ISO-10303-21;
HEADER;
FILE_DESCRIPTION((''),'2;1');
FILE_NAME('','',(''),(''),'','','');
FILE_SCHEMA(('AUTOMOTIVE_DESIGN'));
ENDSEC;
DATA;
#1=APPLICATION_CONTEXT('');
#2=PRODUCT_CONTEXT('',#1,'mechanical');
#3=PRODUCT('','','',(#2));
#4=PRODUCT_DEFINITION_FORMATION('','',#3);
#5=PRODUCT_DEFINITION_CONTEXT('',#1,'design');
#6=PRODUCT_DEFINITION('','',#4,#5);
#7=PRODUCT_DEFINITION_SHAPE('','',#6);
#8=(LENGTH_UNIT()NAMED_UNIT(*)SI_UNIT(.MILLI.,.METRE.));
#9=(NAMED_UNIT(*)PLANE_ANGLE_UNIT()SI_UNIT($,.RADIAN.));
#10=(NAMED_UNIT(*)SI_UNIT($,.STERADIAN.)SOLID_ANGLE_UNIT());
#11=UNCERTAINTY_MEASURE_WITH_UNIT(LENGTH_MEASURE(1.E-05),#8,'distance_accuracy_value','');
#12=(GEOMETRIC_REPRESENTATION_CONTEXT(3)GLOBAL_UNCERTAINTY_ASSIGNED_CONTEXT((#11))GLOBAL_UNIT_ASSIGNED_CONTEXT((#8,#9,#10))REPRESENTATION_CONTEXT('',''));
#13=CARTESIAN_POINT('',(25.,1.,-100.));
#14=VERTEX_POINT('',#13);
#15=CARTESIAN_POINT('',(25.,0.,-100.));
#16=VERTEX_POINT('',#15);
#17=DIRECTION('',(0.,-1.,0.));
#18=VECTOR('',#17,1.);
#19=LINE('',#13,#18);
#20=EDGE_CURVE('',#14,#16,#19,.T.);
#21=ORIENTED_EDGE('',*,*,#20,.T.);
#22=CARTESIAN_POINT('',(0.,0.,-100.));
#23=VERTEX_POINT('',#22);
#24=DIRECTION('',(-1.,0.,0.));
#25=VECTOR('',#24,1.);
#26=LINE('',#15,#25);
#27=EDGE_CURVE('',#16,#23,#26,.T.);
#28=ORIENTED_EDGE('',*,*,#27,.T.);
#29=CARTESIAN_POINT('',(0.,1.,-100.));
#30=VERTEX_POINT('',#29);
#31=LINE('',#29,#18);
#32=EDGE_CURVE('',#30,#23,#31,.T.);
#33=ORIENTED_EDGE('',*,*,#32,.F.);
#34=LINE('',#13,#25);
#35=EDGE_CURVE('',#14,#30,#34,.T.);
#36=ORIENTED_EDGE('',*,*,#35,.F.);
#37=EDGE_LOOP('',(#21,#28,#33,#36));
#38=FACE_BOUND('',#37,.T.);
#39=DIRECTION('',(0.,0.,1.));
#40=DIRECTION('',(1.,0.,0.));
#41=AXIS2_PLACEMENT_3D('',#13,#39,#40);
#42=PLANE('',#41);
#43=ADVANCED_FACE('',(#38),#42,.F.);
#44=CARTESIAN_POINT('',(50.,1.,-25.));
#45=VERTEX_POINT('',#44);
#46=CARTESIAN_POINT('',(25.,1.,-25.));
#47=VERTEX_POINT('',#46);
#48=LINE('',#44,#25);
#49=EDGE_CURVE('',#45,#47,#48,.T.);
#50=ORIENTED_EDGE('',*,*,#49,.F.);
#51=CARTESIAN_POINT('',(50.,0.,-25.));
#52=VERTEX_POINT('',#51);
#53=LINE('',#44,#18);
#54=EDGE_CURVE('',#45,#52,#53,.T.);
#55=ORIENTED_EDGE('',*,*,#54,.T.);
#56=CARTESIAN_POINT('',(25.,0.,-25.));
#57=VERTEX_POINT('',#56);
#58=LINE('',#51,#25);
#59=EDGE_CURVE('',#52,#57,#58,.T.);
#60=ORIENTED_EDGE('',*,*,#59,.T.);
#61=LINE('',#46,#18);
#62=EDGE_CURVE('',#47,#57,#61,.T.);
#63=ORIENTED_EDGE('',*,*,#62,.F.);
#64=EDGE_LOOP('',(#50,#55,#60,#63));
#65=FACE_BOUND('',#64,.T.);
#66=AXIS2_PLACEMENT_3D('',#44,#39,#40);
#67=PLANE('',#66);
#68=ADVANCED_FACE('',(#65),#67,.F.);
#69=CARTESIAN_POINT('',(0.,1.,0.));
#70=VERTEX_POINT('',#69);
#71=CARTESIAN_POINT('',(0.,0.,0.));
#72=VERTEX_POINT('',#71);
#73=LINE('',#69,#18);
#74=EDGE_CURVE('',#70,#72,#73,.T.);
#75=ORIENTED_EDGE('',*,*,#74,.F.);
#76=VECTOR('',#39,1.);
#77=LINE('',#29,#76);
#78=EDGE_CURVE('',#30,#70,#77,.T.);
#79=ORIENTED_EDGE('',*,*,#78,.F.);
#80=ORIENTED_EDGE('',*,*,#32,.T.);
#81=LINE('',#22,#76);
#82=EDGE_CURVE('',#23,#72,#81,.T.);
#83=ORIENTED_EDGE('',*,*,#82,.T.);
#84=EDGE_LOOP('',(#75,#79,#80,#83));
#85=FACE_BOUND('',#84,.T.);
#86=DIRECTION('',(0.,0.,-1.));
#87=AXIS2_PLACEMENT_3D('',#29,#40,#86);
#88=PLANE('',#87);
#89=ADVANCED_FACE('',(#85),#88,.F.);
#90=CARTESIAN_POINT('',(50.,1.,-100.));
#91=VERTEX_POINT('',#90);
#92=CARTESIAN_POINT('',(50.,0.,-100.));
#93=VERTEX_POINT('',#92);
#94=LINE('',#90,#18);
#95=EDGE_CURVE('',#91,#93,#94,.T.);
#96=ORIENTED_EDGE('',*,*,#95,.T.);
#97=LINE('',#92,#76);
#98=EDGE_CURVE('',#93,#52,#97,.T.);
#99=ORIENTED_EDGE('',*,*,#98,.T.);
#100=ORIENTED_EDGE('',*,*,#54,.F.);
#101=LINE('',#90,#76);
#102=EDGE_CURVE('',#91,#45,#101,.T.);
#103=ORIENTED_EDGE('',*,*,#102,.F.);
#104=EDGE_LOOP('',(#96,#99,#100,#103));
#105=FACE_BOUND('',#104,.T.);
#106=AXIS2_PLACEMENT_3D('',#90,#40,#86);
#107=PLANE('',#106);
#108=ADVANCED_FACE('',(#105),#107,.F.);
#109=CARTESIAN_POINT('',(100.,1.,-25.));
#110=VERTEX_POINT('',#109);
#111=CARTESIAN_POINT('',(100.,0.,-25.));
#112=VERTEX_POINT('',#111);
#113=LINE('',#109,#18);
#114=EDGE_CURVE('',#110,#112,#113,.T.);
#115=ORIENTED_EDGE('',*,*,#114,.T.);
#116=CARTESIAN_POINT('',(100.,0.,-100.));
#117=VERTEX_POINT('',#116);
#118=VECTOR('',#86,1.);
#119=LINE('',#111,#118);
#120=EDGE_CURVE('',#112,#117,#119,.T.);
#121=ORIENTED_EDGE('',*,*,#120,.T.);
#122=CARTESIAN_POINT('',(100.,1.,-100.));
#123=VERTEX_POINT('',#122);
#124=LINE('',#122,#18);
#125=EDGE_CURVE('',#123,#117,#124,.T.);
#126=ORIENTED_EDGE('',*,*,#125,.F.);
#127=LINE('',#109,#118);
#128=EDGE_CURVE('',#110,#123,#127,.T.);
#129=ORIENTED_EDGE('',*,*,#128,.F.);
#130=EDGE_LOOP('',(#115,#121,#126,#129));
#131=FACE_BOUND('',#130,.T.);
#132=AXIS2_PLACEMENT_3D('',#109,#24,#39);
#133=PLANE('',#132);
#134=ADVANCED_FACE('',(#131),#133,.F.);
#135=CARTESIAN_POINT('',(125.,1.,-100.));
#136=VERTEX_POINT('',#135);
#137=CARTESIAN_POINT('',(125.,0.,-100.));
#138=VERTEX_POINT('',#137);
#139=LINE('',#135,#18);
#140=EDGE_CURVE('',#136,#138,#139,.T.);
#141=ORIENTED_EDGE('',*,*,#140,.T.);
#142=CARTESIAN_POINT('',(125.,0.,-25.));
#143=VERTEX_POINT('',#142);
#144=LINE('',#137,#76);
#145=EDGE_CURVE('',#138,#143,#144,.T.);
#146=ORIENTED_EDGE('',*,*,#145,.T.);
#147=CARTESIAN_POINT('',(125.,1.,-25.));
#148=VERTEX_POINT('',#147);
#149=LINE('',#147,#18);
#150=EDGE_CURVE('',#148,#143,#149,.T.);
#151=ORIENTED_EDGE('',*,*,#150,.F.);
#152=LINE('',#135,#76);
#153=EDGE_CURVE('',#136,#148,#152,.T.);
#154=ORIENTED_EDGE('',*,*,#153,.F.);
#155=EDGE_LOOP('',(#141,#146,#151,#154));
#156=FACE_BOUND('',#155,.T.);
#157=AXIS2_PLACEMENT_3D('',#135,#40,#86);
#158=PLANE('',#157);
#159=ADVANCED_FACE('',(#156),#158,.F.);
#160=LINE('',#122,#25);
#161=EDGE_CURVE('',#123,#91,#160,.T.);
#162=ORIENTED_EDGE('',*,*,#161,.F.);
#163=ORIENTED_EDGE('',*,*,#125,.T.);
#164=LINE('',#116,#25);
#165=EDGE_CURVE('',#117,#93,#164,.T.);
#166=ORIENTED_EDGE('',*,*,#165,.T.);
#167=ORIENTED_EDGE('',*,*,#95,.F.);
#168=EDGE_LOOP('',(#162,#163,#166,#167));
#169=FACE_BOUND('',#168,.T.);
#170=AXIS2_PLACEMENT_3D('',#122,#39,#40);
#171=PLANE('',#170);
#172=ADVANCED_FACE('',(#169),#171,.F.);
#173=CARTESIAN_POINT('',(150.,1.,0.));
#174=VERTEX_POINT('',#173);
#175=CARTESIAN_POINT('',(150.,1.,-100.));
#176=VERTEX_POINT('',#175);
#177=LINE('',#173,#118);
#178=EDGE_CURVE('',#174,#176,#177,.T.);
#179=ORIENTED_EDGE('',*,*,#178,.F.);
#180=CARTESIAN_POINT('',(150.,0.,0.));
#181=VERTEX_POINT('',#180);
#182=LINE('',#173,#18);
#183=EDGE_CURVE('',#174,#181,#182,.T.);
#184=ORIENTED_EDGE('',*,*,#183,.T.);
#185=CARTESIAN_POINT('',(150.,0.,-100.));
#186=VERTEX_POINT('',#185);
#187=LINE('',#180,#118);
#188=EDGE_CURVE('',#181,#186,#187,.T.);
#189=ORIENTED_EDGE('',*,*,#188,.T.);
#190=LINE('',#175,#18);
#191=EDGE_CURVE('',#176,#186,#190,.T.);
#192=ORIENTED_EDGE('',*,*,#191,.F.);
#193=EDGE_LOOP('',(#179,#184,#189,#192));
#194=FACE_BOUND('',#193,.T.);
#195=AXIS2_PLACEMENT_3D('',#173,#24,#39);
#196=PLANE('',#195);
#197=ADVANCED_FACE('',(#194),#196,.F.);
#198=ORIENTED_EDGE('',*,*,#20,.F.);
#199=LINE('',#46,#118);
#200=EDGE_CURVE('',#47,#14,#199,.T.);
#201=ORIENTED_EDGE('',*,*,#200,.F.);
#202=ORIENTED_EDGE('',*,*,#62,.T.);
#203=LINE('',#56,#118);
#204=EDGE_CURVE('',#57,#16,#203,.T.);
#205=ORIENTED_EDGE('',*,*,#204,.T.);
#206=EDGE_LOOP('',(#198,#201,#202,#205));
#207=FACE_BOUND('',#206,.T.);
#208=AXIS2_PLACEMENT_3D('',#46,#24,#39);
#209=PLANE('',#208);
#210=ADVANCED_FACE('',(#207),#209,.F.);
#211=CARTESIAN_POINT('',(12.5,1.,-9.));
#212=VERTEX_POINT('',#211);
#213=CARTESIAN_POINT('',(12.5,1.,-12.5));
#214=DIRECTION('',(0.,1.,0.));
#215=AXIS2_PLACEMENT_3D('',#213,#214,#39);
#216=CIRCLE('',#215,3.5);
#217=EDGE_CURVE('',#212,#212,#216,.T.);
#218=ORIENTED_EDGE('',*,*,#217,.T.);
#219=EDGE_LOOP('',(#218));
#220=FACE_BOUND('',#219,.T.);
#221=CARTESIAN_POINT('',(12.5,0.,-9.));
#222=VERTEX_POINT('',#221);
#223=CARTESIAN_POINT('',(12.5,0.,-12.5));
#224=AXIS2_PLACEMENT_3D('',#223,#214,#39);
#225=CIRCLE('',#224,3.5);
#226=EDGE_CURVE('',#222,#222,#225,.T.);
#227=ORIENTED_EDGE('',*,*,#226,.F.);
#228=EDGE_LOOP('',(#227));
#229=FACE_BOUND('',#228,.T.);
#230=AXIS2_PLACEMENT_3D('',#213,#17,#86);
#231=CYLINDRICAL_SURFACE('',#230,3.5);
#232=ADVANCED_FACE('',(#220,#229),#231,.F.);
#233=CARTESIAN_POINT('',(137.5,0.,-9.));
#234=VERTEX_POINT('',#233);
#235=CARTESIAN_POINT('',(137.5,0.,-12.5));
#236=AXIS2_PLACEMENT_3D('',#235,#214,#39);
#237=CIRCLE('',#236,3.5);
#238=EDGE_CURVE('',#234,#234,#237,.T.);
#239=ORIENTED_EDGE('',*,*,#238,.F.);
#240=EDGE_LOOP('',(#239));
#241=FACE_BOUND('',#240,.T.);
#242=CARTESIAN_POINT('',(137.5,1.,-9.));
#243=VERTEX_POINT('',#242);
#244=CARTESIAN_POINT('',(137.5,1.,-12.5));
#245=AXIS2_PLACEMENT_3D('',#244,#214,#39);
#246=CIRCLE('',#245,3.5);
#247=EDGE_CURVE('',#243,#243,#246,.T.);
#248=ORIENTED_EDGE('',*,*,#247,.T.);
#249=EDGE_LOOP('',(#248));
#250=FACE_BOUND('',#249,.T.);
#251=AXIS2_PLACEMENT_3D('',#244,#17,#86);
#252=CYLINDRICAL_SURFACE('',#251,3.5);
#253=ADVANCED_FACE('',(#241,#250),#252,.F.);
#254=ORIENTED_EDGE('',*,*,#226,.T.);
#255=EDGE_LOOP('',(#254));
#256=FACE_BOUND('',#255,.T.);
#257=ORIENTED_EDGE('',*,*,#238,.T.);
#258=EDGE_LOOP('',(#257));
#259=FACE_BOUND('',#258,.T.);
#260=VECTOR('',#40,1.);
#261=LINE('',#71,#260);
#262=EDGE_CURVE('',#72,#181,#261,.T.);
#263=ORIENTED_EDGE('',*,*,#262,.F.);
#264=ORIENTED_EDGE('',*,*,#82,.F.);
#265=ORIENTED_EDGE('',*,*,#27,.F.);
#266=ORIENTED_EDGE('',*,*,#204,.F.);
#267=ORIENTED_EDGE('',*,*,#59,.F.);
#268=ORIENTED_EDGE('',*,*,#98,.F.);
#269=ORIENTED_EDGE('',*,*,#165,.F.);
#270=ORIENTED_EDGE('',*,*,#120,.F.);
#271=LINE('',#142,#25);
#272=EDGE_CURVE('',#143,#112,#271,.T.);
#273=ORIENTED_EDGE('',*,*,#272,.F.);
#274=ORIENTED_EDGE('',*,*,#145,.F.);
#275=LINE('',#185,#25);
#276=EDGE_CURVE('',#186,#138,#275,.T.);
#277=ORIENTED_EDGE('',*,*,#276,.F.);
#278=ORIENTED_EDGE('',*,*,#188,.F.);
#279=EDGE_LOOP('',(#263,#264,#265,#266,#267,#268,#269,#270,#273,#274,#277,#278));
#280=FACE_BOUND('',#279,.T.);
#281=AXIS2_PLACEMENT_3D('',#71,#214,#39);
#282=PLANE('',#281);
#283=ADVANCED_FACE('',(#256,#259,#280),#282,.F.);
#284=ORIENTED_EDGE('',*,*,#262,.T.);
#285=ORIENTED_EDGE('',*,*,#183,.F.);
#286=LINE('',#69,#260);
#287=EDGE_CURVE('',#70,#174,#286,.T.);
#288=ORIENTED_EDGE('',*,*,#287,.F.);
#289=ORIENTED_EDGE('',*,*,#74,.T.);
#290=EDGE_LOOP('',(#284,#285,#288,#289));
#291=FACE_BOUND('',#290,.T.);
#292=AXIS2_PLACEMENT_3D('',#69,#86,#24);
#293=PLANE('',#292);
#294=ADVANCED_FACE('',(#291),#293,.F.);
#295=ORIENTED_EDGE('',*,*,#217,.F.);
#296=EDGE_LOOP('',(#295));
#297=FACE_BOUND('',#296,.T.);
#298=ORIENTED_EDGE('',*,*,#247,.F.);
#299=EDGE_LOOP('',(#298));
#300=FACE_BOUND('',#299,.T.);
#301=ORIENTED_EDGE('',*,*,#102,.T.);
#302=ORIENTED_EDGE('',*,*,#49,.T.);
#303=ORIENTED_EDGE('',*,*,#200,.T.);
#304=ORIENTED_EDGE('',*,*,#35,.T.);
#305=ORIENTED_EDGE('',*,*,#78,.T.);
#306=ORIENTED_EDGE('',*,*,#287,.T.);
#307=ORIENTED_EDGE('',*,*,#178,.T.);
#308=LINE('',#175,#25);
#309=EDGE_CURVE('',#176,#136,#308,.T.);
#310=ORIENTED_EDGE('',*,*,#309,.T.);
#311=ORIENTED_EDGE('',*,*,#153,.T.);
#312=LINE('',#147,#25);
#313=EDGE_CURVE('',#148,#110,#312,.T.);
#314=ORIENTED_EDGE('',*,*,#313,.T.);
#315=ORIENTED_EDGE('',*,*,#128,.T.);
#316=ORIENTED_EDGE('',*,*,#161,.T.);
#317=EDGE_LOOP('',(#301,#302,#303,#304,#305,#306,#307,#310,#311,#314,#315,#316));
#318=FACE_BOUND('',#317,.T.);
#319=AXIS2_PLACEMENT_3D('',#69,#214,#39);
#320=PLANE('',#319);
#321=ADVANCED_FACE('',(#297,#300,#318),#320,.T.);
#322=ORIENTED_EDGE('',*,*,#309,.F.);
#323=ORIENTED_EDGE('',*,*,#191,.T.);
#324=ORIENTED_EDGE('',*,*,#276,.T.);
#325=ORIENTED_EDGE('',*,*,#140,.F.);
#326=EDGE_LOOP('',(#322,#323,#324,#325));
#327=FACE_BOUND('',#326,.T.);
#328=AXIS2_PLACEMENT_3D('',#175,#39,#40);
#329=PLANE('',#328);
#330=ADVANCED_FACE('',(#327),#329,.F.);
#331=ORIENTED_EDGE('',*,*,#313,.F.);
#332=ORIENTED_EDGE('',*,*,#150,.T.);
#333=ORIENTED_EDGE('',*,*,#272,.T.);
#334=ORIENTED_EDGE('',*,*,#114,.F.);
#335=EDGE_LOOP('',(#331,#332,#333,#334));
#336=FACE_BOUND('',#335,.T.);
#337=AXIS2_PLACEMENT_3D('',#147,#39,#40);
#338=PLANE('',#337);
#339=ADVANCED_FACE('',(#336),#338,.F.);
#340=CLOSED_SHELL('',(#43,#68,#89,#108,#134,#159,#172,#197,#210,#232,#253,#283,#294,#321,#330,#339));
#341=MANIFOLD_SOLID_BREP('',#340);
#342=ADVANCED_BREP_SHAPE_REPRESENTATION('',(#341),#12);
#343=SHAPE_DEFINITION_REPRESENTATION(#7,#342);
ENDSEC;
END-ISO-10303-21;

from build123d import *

# Parameters (mm, degrees)
CROQUIS8_R              = 3.5
SALIENTE_EXTRUIR5_DEPTH = 1


with BuildPart() as part:
    # Croquis8 → Saliente-Extruir5 (new body)
    with BuildSketch(Plane(origin=(0, 0, 0), x_dir=(1, 0, 0), z_dir=(0, 1, 0))):
        Polygon((0, 0), (150, 0), (150, 100), (125, 100), (125, 25), (100, 25), (100, 100), (50, 100), (50, 25), (25, 25), (25, 100), (0, 100), align=None)
        with Locations(Location((12.5, 12.5, 0), (0, 0, 270))):
            Circle(CROQUIS8_R, mode=Mode.SUBTRACT)
        with Locations(Location((137.5, 12.5, 0), (0, 0, 270))):
            Circle(CROQUIS8_R, mode=Mode.SUBTRACT)
    extrude(amount=SALIENTE_EXTRUIR5_DEPTH)


solid = part.part
